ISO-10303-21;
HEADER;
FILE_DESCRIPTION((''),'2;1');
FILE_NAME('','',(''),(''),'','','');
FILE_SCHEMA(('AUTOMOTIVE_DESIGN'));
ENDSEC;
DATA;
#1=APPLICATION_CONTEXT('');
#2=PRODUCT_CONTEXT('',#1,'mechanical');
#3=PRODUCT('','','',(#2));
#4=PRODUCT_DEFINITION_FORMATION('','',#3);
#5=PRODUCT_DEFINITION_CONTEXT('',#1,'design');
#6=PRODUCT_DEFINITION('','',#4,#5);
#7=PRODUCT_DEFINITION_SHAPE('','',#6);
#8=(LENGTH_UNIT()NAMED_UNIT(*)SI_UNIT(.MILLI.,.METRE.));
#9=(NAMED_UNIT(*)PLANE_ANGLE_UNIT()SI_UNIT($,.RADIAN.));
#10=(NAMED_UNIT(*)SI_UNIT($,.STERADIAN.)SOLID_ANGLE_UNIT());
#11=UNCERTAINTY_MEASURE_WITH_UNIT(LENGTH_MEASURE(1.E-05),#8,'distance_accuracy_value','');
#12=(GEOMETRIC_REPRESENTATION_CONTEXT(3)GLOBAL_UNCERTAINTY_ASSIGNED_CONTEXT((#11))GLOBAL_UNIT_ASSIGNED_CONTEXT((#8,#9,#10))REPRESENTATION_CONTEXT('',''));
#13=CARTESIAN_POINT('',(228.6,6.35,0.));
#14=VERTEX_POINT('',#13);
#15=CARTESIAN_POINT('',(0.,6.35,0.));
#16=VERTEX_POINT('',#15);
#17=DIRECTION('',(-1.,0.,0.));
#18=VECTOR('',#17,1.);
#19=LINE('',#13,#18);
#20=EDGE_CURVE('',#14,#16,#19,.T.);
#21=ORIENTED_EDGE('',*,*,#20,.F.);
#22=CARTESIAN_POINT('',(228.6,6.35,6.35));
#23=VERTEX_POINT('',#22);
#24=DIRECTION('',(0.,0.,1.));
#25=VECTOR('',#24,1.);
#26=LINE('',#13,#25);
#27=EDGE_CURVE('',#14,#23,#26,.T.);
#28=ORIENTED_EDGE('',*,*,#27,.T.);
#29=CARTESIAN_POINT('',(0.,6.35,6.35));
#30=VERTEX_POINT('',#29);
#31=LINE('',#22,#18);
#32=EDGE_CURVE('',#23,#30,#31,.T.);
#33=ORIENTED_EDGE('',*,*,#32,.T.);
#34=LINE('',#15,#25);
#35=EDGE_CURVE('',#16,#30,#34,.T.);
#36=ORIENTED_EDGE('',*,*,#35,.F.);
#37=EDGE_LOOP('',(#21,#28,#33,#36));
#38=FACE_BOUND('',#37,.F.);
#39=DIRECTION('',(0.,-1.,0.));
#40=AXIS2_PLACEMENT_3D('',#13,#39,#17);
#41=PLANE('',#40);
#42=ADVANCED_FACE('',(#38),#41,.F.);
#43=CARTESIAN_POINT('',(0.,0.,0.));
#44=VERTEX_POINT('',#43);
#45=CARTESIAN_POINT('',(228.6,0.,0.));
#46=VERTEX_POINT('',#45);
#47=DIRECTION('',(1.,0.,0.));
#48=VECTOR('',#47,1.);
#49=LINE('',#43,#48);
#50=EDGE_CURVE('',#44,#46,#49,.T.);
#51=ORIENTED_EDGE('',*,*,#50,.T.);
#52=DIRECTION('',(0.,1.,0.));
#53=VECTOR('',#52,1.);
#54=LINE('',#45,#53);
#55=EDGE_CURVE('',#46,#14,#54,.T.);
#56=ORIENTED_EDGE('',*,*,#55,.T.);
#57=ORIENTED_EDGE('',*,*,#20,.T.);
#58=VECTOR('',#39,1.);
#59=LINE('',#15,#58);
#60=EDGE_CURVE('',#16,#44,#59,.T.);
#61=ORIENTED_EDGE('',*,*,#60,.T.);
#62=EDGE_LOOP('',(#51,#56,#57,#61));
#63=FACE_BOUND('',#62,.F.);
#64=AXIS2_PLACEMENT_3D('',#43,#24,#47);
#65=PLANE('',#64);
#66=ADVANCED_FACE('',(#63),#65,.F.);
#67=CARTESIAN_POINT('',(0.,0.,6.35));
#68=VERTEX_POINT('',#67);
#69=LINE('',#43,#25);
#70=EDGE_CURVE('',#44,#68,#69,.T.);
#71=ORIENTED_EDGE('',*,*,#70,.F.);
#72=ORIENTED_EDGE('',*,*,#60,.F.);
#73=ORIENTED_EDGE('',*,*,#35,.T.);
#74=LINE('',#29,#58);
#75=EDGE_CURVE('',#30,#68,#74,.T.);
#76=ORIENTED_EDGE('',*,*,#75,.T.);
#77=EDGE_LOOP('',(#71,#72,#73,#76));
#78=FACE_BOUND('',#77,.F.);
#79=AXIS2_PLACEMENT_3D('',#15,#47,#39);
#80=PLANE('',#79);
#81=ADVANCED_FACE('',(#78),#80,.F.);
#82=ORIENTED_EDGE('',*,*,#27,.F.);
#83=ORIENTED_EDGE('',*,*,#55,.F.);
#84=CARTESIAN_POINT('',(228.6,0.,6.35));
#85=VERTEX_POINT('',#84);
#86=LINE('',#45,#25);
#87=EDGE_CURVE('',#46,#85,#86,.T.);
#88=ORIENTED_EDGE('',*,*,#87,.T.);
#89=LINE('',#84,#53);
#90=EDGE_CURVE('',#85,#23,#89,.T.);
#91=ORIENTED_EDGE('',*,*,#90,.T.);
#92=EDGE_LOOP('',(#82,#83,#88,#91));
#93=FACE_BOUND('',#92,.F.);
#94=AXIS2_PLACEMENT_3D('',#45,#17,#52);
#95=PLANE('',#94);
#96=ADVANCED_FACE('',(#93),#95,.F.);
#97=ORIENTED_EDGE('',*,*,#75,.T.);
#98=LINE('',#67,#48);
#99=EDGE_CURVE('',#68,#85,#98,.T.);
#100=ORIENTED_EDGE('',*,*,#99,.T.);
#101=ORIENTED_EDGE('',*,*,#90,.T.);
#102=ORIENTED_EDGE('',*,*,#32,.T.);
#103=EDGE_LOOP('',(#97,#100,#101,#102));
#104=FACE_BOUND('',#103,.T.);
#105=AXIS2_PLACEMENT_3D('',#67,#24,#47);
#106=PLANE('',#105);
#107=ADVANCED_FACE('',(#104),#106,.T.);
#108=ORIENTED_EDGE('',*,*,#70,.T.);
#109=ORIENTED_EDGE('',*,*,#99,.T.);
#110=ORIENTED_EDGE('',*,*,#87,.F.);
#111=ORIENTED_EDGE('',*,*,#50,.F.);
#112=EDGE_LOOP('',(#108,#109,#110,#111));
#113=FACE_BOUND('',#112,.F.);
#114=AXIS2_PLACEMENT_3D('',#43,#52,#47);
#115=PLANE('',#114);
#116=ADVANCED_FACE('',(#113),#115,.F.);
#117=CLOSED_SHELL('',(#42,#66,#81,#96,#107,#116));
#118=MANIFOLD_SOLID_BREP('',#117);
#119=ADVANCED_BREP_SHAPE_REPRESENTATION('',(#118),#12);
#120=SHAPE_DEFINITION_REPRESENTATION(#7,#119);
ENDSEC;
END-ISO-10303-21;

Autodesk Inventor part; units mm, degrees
ref_plane "YZ Plane" through (0, 0, 0) normal (1, 0, 0) x (0, 1, 0)
ref_plane "XZ Plane" through (0, 0, 0) normal (0, 1, 0) x (-1, 0, 0)
ref_plane "XY Plane" through (0, 0, 0) normal (0, 0, 1) x (1, 0, 0)
sketch "Sketch1" plane through (0, 0, 0) normal (0, 0, 1) x (1, 0, 0)
  line L0 (0, 0) -> (228.6, 0)
  line L1 (228.6, 0) -> (228.6, 6.35)
  line L2 (228.6, 6.35) -> (0, 6.35)
  line L3 (0, 6.35) -> (0, 0)
  dimension "d0" = 228.6
  dimension "d1" = 6.35
extrude "Extrusion1" add sketch "Sketch1" along normal blind 6.35
properties part number "bottombarliftconnector"
